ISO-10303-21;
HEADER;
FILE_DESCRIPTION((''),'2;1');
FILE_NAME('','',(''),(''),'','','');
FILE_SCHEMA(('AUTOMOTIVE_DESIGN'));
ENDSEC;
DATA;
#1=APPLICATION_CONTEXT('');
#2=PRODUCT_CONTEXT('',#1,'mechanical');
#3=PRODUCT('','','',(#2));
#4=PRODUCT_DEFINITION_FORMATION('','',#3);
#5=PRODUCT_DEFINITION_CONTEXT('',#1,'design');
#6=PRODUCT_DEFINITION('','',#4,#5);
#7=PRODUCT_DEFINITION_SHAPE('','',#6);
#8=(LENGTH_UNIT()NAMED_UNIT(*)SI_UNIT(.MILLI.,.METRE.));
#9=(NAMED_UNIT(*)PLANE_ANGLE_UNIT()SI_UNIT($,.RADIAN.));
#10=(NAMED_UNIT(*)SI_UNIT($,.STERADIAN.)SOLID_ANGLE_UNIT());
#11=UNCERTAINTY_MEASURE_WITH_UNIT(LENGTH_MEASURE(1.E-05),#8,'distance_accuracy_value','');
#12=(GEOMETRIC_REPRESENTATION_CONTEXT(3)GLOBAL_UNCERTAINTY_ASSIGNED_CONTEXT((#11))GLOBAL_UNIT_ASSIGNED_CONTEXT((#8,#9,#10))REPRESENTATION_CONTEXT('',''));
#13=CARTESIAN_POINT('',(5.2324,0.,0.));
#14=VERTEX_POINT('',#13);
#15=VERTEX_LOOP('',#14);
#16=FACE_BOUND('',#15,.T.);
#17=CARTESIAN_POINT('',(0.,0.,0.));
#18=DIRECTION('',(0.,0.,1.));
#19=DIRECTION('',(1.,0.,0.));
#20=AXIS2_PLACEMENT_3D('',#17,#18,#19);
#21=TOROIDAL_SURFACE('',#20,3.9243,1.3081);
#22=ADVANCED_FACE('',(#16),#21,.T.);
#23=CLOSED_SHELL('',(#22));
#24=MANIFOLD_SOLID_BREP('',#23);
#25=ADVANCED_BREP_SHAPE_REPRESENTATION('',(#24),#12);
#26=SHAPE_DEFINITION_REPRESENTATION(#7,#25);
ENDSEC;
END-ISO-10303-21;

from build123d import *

# Parameters (mm, degrees)
SKETCH1_R = 1.3081


with BuildPart() as part:
    # Sketch1 → Revolve1 (revolve)
    with BuildSketch(Plane(origin=(0, 0, 0), x_dir=(0, -1, 0), z_dir=(1, 0, 0))):
        with Locations((3.9243, 0)):
            Circle(SKETCH1_R)
    revolve(axis=Axis((0, 0, 1.3081), (0, 0, -1)))


solid = part.part
